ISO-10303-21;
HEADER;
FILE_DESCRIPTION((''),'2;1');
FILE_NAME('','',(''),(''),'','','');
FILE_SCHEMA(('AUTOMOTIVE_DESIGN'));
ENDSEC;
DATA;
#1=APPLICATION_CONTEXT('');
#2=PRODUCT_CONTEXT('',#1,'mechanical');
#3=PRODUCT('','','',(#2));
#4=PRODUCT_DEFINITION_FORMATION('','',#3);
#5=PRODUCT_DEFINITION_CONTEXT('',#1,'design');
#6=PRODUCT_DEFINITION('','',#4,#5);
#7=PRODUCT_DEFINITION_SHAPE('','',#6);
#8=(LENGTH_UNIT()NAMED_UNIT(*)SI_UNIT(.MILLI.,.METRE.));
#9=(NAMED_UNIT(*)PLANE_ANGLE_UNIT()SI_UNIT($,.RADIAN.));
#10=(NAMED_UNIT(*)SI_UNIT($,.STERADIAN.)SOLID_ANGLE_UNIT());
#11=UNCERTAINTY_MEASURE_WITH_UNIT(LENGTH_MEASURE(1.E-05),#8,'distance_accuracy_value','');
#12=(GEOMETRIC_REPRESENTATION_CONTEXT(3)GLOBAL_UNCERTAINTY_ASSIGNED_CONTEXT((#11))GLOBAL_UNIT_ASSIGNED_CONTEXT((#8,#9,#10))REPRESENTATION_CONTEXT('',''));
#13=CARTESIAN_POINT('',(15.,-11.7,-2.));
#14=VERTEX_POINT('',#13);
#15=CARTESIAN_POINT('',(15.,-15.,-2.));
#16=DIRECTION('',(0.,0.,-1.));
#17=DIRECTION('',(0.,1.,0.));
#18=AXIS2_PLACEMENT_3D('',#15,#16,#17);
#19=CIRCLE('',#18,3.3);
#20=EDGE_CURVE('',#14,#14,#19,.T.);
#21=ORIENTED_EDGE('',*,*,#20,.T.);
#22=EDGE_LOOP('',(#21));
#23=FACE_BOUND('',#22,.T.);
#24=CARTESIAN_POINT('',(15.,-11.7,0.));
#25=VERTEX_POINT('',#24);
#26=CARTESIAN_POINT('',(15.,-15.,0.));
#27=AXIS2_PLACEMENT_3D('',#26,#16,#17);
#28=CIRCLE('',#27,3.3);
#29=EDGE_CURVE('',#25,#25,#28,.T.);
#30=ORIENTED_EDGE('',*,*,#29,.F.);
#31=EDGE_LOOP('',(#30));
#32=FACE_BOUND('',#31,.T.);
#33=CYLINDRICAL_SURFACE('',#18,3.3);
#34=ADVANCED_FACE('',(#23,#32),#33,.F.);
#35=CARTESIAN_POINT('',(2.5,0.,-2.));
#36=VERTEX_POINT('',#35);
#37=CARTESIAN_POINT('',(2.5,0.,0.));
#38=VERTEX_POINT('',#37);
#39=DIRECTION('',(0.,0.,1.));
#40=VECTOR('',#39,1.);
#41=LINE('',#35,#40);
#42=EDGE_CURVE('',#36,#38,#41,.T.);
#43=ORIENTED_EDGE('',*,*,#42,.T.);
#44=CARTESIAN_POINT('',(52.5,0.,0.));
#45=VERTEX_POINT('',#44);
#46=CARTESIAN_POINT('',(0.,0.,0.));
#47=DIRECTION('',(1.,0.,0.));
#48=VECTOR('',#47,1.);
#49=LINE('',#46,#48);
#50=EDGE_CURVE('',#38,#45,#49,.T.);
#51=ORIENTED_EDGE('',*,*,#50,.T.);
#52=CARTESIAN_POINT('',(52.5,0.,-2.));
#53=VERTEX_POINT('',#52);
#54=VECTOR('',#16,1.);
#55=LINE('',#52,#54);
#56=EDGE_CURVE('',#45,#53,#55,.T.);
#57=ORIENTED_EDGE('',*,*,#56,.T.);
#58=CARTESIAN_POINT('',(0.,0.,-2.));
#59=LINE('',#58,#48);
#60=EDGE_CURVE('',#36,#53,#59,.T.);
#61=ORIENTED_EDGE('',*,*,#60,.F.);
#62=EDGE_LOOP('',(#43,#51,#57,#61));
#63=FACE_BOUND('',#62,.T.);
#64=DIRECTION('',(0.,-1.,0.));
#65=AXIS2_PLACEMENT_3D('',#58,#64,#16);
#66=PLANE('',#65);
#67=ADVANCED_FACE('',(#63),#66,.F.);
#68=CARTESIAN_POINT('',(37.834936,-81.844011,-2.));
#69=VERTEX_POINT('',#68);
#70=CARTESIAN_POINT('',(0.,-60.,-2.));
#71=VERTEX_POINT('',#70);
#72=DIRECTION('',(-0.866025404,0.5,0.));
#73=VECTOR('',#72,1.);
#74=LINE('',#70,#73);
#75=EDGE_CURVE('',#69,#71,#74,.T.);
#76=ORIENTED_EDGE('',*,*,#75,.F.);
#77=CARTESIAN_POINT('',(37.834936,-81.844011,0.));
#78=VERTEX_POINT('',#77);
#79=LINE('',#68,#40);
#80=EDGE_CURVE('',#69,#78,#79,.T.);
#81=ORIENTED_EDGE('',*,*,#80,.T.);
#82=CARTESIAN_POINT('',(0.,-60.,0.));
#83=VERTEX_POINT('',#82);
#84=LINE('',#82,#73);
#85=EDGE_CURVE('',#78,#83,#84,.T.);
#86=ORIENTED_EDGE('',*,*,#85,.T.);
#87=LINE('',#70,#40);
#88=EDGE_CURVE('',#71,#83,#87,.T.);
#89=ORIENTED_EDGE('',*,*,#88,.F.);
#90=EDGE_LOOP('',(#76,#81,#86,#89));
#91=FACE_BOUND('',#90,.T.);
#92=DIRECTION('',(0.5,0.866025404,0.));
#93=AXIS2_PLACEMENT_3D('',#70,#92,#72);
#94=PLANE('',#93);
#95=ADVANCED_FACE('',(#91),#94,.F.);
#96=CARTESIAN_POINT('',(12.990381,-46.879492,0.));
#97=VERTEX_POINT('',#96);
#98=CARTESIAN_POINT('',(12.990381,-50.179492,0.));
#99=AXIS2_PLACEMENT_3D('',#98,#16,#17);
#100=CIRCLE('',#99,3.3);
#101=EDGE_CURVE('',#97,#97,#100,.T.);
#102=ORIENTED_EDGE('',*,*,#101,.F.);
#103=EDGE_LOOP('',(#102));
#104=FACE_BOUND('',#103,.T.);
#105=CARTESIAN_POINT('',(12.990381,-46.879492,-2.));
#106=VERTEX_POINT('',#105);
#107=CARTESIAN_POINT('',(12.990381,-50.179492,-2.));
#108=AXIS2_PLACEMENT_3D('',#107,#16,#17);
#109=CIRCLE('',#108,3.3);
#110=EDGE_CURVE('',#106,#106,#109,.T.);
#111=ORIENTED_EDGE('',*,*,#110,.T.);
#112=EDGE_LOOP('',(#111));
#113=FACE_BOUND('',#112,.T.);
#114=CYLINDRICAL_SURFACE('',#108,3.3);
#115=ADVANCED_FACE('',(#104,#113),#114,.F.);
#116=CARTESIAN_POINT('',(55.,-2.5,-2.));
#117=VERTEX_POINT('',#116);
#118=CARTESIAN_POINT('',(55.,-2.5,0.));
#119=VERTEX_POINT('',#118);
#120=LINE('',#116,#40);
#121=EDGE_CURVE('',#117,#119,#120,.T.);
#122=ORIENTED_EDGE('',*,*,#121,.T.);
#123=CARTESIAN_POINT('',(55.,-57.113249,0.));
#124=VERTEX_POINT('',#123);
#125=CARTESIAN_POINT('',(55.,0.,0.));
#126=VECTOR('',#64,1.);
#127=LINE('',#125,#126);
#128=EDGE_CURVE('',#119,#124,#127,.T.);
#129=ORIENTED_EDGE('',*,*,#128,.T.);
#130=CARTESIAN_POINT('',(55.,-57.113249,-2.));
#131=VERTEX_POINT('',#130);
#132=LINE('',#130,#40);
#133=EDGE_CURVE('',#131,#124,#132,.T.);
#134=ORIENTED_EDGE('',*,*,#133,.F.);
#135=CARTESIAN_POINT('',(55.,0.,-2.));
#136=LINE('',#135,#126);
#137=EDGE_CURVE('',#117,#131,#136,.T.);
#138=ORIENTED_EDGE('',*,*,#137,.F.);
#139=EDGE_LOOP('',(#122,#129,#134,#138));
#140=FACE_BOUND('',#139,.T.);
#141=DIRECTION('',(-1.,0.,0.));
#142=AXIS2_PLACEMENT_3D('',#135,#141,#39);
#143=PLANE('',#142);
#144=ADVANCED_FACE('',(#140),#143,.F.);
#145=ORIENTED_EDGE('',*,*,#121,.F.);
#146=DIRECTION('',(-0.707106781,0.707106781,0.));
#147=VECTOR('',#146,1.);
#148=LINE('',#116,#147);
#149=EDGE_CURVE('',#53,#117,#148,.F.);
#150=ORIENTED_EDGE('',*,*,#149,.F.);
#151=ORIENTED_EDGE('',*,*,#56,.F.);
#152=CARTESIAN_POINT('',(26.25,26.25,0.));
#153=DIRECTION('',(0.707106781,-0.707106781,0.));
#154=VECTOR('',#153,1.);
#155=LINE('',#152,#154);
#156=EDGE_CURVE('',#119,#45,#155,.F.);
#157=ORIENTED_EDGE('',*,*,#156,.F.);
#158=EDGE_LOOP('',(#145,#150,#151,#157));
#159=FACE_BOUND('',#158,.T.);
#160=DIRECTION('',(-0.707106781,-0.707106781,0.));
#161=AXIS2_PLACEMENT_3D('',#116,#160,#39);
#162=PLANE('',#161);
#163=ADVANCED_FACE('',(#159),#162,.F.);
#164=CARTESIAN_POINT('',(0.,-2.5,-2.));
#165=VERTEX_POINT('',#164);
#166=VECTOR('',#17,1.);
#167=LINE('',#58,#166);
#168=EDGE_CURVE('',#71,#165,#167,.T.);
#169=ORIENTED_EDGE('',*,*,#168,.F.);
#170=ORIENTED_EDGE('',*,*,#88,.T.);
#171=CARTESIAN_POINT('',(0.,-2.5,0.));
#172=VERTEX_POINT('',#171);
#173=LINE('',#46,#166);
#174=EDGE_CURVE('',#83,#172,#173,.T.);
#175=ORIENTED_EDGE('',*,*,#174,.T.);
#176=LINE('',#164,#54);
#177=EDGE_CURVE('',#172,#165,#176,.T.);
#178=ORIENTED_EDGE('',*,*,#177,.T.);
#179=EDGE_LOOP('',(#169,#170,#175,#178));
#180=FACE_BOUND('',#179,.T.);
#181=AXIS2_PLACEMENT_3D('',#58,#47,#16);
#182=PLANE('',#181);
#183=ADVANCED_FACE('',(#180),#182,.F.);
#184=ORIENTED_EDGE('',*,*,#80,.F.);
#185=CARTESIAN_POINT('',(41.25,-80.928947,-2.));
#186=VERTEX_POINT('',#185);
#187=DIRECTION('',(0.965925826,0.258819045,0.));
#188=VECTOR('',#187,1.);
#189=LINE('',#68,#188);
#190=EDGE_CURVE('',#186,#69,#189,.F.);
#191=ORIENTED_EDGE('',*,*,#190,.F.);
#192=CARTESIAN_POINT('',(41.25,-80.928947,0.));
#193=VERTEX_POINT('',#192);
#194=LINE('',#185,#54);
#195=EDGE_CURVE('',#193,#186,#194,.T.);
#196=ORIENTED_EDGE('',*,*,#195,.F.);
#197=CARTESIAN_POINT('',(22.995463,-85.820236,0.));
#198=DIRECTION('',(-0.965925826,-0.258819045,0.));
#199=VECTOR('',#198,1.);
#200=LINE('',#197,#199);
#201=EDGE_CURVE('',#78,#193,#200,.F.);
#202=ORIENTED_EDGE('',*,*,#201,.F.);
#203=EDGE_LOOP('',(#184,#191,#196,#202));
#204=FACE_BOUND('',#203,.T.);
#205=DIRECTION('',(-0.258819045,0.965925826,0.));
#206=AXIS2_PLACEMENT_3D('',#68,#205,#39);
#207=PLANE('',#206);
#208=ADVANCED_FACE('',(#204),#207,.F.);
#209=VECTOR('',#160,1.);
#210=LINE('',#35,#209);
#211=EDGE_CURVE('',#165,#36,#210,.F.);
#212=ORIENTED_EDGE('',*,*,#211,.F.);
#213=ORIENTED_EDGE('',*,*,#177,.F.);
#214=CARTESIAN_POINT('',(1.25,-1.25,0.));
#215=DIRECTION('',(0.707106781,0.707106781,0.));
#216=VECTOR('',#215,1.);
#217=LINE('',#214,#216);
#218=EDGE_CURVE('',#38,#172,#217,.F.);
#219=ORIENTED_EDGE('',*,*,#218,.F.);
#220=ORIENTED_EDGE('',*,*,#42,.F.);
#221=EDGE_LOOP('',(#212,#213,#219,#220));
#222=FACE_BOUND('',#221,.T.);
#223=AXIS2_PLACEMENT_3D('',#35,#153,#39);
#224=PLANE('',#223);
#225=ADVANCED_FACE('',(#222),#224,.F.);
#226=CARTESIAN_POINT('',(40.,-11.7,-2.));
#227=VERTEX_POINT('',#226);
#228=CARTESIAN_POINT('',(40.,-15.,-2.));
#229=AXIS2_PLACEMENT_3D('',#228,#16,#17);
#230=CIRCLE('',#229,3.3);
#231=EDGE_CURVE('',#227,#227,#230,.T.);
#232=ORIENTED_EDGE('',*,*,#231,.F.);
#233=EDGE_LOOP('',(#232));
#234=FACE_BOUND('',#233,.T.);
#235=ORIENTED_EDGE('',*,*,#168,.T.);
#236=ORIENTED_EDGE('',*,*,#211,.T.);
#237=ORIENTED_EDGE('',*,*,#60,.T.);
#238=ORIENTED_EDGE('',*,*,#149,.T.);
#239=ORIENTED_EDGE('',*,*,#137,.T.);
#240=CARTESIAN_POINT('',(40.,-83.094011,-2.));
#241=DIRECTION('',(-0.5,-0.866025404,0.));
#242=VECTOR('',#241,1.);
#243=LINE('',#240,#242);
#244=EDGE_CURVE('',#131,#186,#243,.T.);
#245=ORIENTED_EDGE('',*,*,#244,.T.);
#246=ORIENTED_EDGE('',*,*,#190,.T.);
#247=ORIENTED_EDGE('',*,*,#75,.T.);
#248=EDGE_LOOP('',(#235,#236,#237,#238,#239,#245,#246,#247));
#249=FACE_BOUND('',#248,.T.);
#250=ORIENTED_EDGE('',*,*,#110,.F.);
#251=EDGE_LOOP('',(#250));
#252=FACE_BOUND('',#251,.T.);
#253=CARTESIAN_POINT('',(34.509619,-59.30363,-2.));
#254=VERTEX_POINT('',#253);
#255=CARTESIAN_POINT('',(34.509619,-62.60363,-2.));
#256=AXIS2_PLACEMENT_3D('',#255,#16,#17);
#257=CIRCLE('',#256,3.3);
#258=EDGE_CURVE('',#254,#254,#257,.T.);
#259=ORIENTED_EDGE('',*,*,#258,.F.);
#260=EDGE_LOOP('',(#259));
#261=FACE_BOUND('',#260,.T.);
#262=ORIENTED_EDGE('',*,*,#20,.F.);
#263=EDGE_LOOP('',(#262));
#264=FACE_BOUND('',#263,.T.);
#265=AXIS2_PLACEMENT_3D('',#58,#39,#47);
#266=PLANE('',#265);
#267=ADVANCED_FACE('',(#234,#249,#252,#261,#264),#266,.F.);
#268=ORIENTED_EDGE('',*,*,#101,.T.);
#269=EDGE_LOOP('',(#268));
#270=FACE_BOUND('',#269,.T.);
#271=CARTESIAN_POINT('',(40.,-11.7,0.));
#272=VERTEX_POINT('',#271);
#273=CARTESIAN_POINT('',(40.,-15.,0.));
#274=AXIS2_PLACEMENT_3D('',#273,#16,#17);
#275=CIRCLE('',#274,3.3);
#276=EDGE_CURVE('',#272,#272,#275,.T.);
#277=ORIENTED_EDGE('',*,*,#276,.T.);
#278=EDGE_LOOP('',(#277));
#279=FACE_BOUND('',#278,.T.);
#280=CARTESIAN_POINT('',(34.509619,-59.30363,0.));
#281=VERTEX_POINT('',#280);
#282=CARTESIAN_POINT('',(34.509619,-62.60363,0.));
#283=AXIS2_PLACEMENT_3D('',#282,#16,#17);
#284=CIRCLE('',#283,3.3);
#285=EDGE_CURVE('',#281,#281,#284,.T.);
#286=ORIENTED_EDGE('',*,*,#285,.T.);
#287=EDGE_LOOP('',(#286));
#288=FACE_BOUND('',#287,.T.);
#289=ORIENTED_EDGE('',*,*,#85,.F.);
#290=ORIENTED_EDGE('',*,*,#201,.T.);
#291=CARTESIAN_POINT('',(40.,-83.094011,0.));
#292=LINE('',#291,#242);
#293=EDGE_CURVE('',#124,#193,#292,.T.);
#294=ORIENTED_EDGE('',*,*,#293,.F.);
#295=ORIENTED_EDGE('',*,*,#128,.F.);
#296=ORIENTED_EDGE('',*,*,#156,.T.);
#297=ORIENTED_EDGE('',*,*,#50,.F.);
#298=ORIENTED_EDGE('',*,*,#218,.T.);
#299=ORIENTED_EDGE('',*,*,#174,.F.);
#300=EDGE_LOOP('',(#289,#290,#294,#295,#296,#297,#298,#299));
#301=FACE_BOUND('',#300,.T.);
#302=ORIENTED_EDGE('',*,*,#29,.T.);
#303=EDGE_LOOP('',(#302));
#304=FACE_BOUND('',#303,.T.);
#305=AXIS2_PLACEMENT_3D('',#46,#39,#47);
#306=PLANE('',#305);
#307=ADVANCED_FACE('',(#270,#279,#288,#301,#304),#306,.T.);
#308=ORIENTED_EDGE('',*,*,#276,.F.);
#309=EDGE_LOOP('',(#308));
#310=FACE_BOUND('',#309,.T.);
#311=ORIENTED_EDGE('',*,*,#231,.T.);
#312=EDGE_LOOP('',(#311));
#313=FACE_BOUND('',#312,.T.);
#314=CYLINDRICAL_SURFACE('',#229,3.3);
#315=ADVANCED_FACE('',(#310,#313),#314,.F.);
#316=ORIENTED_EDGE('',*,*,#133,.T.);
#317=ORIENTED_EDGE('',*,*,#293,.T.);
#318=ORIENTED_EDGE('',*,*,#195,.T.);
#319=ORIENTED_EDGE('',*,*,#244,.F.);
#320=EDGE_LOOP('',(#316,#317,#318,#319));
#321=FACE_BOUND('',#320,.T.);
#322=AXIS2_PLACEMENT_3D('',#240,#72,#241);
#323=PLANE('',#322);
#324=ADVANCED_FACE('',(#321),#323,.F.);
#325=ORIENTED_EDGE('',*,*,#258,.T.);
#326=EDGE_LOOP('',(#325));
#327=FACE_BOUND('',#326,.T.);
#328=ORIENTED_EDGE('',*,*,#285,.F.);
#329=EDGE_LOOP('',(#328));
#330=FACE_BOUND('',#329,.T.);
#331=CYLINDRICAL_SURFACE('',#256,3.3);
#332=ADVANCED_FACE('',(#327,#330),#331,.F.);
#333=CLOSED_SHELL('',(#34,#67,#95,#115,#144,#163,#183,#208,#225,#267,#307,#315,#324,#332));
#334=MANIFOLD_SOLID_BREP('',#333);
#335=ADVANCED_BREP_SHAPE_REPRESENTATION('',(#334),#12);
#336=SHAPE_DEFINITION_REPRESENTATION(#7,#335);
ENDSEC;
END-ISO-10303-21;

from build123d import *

# Parameters (mm, degrees)
EXTRUDE_1_DEPTH   = 2
HOLE_WIZARD_M61_D = 6.6
CHAMFER_1_SIZE    = 2.5


with BuildPart() as part:
    # Эскиз3 → Бобышка-Вытянуть1 (new body)
    with BuildSketch(Plane(origin=(0, 0, 0), x_dir=(1, 0, 0), z_dir=(0, 0, -1))):
        Polygon((0, 0), (55, 0), (55, 57.113248654), (40, 83.094010768), (0, 60), align=None)
    extrude(amount=EXTRUDE_1_DEPTH)

    # Отверстие с зазором M61 (through all)
    with Locations(Plane(origin=(0, 0, -2), x_dir=(1, 0, 0), z_dir=(0, 0, -1))):
        with Locations((15, 15), (40, 15), (12.990381057, 50.179491924), (34.509618943, 62.603629711)):
            Hole(HOLE_WIZARD_M61_D / 2)

    # Фаска1
    chamfer_1_edges = [part.edges().sort_by_distance(p)[0] for p in [
        (40, -83.094010768, -1),
        (55, 0, -1),
        (0, 0, -1),
    ]]
    chamfer(chamfer_1_edges, length=CHAMFER_1_SIZE)


solid = part.part
